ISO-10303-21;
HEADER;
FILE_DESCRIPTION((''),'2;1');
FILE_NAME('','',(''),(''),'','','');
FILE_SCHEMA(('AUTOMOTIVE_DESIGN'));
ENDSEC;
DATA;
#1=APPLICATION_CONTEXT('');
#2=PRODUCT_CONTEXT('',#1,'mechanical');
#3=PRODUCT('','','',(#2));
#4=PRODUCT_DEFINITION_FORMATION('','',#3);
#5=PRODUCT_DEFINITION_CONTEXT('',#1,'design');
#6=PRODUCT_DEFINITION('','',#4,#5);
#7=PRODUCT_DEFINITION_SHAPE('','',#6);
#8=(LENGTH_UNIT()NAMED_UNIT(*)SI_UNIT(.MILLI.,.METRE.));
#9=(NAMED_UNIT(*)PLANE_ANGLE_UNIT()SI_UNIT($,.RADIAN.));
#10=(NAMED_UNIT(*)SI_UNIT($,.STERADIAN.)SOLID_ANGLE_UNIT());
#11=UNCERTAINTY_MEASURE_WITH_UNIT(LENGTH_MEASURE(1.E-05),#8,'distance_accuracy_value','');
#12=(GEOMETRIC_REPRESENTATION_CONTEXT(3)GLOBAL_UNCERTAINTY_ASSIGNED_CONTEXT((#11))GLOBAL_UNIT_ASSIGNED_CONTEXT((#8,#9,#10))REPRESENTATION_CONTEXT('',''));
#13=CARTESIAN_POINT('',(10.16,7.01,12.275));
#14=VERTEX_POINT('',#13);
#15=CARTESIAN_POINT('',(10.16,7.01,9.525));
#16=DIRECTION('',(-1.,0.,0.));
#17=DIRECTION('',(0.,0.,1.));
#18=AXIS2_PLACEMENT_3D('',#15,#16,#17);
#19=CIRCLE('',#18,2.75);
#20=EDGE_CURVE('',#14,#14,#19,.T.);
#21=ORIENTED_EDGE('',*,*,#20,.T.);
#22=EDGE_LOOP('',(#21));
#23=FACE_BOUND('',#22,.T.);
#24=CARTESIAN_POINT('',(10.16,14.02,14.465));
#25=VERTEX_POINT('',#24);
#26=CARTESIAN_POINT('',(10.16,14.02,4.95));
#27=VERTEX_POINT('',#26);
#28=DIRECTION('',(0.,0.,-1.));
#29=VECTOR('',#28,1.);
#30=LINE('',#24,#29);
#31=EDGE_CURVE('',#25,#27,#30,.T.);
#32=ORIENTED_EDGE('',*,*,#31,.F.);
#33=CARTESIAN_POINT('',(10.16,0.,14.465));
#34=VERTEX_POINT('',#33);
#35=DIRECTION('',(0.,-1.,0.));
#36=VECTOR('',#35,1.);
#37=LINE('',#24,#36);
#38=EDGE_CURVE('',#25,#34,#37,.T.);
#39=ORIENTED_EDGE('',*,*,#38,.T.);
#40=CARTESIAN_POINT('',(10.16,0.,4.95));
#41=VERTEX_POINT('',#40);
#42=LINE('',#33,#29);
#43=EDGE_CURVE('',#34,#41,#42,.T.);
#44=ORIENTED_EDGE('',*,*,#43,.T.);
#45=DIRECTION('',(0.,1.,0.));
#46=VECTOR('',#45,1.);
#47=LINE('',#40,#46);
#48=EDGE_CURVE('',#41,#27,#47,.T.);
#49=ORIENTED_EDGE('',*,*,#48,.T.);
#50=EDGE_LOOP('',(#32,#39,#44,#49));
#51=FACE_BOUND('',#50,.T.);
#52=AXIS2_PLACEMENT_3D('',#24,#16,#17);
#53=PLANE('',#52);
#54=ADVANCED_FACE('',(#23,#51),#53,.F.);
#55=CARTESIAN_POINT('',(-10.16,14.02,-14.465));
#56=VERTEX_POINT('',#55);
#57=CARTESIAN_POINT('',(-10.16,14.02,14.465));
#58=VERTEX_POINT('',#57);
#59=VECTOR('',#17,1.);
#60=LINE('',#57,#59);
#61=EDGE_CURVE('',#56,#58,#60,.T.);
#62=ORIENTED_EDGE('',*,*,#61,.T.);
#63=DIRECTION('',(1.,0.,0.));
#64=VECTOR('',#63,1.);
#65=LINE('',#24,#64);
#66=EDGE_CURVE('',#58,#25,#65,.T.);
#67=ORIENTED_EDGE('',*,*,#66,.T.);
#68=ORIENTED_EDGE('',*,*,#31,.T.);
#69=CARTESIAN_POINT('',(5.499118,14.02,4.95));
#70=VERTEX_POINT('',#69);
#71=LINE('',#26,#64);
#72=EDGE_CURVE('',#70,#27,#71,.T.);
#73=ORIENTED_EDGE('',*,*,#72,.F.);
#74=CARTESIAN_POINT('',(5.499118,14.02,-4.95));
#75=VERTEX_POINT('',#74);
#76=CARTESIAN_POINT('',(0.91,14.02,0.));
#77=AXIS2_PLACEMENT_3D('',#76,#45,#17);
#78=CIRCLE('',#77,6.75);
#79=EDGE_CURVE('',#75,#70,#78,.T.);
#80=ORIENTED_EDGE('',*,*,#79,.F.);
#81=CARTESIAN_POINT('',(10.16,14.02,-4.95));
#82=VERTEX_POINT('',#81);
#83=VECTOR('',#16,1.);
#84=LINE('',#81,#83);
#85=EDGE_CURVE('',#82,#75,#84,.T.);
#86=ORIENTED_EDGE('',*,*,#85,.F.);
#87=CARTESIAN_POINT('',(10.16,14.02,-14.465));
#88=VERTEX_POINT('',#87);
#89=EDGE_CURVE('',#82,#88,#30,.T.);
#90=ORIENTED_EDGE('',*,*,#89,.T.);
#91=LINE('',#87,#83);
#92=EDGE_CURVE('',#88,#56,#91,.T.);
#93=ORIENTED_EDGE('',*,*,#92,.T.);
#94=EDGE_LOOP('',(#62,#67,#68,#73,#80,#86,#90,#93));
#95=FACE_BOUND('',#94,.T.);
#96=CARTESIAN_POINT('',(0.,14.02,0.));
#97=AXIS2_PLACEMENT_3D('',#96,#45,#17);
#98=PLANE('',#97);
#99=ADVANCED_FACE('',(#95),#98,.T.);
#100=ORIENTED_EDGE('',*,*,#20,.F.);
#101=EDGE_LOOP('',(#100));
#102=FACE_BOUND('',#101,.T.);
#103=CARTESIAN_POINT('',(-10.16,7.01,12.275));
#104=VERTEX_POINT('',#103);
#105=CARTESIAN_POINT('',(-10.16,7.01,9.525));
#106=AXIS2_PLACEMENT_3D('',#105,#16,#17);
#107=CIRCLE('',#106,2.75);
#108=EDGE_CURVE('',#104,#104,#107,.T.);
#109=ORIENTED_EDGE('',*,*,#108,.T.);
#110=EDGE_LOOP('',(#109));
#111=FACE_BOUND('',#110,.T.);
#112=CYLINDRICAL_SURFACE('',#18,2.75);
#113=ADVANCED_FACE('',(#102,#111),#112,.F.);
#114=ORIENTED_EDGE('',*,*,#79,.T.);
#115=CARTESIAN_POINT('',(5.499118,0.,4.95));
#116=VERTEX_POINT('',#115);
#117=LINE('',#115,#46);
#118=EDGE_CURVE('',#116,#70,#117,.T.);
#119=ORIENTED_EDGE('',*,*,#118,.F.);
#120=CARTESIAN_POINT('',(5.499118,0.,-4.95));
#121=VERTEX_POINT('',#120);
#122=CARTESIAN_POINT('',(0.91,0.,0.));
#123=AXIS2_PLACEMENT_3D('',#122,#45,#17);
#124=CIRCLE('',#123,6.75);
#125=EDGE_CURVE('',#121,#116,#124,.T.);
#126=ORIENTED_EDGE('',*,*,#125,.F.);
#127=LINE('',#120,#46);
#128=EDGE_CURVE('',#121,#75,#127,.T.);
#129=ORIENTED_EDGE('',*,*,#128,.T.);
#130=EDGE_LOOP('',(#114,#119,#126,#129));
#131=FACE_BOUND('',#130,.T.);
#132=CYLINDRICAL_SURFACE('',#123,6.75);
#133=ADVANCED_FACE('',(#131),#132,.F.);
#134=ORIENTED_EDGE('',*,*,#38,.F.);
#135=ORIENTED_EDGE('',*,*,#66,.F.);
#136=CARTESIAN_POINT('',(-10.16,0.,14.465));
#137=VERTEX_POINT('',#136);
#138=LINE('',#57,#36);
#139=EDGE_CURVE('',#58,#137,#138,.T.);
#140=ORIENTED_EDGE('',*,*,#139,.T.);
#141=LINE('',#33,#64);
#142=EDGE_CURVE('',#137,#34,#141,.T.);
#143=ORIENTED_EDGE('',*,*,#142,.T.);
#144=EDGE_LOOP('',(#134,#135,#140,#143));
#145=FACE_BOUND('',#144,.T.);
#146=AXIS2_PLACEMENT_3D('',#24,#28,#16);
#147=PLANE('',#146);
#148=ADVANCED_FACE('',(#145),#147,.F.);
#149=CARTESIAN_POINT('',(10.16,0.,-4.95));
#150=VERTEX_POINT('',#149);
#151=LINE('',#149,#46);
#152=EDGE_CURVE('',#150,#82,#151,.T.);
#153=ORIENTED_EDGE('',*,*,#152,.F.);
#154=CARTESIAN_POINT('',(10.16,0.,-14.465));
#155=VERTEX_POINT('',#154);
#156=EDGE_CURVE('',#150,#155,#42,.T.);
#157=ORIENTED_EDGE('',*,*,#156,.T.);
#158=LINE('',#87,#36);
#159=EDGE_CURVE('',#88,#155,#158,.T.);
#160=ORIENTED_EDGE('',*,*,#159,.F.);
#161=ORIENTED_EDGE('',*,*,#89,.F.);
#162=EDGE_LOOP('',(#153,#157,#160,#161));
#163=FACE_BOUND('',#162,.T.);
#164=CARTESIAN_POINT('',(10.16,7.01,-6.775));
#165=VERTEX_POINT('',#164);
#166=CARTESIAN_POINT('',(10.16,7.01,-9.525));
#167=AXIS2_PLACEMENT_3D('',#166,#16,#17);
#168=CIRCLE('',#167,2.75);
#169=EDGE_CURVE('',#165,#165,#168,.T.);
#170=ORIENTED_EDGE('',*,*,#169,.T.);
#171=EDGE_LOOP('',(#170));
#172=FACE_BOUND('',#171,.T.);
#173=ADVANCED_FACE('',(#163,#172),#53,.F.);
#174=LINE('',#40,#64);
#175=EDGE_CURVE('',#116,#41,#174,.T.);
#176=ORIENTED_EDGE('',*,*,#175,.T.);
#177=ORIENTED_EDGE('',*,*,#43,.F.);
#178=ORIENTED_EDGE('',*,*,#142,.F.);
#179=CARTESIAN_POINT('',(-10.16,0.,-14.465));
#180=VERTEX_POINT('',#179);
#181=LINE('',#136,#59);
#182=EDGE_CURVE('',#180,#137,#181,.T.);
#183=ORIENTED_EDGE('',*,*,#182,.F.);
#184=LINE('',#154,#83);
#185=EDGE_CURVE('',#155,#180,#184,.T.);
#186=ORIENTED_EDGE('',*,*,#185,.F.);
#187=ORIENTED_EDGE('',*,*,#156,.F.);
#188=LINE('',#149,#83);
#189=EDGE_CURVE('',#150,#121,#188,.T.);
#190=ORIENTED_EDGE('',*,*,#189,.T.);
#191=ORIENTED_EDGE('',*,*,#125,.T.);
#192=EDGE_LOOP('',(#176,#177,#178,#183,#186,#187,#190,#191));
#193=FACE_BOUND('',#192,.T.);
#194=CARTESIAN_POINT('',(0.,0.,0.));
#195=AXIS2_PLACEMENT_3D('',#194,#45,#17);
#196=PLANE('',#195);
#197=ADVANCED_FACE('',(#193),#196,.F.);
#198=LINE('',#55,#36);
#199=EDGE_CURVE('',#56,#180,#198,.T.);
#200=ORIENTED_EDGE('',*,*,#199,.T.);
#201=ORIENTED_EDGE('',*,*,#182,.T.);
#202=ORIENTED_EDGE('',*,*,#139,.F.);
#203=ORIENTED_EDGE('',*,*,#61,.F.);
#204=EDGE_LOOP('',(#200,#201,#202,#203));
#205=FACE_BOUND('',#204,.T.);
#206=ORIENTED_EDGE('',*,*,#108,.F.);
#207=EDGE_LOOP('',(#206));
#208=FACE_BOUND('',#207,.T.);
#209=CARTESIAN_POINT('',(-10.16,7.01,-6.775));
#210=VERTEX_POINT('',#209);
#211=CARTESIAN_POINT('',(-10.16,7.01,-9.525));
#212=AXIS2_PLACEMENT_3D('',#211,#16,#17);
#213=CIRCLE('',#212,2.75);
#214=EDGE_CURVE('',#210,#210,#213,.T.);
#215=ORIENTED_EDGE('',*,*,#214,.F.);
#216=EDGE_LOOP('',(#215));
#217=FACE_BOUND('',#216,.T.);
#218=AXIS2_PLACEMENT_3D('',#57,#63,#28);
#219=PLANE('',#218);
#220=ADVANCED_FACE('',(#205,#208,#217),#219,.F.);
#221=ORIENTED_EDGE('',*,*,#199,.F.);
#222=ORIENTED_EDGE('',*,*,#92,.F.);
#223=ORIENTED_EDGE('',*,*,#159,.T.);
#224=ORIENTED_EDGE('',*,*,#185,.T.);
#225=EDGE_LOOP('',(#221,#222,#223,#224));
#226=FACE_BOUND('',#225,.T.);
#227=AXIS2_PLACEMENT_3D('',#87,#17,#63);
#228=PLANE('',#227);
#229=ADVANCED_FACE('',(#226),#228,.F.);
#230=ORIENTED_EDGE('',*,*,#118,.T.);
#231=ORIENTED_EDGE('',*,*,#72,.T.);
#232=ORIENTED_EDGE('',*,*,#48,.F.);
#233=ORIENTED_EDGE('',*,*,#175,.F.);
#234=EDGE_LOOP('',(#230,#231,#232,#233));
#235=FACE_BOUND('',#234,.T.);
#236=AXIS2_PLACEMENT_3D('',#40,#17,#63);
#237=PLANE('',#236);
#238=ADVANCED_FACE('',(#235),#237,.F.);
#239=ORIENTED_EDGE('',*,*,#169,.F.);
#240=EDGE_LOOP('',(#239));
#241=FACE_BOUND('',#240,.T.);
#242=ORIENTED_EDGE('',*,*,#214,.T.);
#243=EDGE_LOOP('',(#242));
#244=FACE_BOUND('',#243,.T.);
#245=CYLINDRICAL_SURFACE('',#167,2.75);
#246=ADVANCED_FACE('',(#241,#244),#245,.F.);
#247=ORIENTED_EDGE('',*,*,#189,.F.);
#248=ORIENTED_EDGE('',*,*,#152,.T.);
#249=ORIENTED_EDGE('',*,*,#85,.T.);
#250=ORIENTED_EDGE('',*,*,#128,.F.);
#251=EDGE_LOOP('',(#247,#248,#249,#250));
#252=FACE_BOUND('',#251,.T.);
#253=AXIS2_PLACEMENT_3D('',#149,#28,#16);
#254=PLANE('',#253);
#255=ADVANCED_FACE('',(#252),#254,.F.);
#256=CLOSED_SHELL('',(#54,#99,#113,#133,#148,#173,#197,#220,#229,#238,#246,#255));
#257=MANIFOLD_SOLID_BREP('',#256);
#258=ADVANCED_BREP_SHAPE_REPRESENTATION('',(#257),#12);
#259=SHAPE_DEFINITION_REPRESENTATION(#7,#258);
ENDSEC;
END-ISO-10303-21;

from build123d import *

# Parameters (mm, degrees)
SKETCH1_W           = 20.32
SKETCH1_H           = 28.93
BOSS_EXTRUDE1_DEPTH = 14.02
CUT_EXTRUDE1_DEPTH  = 15.02
SKETCH3_R           = 2.75
CUT_EXTRUDE2_DEPTH  = 21.32


with BuildPart() as part:
    # Sketch1 → Boss-Extrude1 (new body)
    with BuildSketch(Plane(origin=(0, 0, 0), x_dir=(1, 0, 0), z_dir=(0, 1, 0))):
        Rectangle(SKETCH1_W, SKETCH1_H)
    extrude(amount=BOSS_EXTRUDE1_DEPTH)

    # Sketch2 → Cut-Extrude1 (cut, through all)
    with BuildSketch(Plane(origin=(0, 14.02, 0), x_dir=(1, 0, 0), z_dir=(0, 1, 0))):
        with BuildLine():
            Line((10.16, -4.95), (5.499117562, -4.95))
            ThreePointArc((5.499117562, -4.95), (-5.84, 0), (5.499117562, 4.95))
            Line((5.499117562, 4.95), (10.16, 4.95))
            Line((10.16, 4.95), (10.16, -4.95))
        make_face()
    extrude(amount=-CUT_EXTRUDE1_DEPTH, mode=Mode.SUBTRACT)

    # Sketch3 → Cut-Extrude2 (cut, through all)
    with BuildSketch(Plane.ZY.offset(10.16)):
        with Locations((9.525, 7.01)):
            Circle(SKETCH3_R)
        with Locations((-9.525, 7.01)):
            Circle(SKETCH3_R)
    extrude(amount=-CUT_EXTRUDE2_DEPTH, mode=Mode.SUBTRACT)


solid = part.part
